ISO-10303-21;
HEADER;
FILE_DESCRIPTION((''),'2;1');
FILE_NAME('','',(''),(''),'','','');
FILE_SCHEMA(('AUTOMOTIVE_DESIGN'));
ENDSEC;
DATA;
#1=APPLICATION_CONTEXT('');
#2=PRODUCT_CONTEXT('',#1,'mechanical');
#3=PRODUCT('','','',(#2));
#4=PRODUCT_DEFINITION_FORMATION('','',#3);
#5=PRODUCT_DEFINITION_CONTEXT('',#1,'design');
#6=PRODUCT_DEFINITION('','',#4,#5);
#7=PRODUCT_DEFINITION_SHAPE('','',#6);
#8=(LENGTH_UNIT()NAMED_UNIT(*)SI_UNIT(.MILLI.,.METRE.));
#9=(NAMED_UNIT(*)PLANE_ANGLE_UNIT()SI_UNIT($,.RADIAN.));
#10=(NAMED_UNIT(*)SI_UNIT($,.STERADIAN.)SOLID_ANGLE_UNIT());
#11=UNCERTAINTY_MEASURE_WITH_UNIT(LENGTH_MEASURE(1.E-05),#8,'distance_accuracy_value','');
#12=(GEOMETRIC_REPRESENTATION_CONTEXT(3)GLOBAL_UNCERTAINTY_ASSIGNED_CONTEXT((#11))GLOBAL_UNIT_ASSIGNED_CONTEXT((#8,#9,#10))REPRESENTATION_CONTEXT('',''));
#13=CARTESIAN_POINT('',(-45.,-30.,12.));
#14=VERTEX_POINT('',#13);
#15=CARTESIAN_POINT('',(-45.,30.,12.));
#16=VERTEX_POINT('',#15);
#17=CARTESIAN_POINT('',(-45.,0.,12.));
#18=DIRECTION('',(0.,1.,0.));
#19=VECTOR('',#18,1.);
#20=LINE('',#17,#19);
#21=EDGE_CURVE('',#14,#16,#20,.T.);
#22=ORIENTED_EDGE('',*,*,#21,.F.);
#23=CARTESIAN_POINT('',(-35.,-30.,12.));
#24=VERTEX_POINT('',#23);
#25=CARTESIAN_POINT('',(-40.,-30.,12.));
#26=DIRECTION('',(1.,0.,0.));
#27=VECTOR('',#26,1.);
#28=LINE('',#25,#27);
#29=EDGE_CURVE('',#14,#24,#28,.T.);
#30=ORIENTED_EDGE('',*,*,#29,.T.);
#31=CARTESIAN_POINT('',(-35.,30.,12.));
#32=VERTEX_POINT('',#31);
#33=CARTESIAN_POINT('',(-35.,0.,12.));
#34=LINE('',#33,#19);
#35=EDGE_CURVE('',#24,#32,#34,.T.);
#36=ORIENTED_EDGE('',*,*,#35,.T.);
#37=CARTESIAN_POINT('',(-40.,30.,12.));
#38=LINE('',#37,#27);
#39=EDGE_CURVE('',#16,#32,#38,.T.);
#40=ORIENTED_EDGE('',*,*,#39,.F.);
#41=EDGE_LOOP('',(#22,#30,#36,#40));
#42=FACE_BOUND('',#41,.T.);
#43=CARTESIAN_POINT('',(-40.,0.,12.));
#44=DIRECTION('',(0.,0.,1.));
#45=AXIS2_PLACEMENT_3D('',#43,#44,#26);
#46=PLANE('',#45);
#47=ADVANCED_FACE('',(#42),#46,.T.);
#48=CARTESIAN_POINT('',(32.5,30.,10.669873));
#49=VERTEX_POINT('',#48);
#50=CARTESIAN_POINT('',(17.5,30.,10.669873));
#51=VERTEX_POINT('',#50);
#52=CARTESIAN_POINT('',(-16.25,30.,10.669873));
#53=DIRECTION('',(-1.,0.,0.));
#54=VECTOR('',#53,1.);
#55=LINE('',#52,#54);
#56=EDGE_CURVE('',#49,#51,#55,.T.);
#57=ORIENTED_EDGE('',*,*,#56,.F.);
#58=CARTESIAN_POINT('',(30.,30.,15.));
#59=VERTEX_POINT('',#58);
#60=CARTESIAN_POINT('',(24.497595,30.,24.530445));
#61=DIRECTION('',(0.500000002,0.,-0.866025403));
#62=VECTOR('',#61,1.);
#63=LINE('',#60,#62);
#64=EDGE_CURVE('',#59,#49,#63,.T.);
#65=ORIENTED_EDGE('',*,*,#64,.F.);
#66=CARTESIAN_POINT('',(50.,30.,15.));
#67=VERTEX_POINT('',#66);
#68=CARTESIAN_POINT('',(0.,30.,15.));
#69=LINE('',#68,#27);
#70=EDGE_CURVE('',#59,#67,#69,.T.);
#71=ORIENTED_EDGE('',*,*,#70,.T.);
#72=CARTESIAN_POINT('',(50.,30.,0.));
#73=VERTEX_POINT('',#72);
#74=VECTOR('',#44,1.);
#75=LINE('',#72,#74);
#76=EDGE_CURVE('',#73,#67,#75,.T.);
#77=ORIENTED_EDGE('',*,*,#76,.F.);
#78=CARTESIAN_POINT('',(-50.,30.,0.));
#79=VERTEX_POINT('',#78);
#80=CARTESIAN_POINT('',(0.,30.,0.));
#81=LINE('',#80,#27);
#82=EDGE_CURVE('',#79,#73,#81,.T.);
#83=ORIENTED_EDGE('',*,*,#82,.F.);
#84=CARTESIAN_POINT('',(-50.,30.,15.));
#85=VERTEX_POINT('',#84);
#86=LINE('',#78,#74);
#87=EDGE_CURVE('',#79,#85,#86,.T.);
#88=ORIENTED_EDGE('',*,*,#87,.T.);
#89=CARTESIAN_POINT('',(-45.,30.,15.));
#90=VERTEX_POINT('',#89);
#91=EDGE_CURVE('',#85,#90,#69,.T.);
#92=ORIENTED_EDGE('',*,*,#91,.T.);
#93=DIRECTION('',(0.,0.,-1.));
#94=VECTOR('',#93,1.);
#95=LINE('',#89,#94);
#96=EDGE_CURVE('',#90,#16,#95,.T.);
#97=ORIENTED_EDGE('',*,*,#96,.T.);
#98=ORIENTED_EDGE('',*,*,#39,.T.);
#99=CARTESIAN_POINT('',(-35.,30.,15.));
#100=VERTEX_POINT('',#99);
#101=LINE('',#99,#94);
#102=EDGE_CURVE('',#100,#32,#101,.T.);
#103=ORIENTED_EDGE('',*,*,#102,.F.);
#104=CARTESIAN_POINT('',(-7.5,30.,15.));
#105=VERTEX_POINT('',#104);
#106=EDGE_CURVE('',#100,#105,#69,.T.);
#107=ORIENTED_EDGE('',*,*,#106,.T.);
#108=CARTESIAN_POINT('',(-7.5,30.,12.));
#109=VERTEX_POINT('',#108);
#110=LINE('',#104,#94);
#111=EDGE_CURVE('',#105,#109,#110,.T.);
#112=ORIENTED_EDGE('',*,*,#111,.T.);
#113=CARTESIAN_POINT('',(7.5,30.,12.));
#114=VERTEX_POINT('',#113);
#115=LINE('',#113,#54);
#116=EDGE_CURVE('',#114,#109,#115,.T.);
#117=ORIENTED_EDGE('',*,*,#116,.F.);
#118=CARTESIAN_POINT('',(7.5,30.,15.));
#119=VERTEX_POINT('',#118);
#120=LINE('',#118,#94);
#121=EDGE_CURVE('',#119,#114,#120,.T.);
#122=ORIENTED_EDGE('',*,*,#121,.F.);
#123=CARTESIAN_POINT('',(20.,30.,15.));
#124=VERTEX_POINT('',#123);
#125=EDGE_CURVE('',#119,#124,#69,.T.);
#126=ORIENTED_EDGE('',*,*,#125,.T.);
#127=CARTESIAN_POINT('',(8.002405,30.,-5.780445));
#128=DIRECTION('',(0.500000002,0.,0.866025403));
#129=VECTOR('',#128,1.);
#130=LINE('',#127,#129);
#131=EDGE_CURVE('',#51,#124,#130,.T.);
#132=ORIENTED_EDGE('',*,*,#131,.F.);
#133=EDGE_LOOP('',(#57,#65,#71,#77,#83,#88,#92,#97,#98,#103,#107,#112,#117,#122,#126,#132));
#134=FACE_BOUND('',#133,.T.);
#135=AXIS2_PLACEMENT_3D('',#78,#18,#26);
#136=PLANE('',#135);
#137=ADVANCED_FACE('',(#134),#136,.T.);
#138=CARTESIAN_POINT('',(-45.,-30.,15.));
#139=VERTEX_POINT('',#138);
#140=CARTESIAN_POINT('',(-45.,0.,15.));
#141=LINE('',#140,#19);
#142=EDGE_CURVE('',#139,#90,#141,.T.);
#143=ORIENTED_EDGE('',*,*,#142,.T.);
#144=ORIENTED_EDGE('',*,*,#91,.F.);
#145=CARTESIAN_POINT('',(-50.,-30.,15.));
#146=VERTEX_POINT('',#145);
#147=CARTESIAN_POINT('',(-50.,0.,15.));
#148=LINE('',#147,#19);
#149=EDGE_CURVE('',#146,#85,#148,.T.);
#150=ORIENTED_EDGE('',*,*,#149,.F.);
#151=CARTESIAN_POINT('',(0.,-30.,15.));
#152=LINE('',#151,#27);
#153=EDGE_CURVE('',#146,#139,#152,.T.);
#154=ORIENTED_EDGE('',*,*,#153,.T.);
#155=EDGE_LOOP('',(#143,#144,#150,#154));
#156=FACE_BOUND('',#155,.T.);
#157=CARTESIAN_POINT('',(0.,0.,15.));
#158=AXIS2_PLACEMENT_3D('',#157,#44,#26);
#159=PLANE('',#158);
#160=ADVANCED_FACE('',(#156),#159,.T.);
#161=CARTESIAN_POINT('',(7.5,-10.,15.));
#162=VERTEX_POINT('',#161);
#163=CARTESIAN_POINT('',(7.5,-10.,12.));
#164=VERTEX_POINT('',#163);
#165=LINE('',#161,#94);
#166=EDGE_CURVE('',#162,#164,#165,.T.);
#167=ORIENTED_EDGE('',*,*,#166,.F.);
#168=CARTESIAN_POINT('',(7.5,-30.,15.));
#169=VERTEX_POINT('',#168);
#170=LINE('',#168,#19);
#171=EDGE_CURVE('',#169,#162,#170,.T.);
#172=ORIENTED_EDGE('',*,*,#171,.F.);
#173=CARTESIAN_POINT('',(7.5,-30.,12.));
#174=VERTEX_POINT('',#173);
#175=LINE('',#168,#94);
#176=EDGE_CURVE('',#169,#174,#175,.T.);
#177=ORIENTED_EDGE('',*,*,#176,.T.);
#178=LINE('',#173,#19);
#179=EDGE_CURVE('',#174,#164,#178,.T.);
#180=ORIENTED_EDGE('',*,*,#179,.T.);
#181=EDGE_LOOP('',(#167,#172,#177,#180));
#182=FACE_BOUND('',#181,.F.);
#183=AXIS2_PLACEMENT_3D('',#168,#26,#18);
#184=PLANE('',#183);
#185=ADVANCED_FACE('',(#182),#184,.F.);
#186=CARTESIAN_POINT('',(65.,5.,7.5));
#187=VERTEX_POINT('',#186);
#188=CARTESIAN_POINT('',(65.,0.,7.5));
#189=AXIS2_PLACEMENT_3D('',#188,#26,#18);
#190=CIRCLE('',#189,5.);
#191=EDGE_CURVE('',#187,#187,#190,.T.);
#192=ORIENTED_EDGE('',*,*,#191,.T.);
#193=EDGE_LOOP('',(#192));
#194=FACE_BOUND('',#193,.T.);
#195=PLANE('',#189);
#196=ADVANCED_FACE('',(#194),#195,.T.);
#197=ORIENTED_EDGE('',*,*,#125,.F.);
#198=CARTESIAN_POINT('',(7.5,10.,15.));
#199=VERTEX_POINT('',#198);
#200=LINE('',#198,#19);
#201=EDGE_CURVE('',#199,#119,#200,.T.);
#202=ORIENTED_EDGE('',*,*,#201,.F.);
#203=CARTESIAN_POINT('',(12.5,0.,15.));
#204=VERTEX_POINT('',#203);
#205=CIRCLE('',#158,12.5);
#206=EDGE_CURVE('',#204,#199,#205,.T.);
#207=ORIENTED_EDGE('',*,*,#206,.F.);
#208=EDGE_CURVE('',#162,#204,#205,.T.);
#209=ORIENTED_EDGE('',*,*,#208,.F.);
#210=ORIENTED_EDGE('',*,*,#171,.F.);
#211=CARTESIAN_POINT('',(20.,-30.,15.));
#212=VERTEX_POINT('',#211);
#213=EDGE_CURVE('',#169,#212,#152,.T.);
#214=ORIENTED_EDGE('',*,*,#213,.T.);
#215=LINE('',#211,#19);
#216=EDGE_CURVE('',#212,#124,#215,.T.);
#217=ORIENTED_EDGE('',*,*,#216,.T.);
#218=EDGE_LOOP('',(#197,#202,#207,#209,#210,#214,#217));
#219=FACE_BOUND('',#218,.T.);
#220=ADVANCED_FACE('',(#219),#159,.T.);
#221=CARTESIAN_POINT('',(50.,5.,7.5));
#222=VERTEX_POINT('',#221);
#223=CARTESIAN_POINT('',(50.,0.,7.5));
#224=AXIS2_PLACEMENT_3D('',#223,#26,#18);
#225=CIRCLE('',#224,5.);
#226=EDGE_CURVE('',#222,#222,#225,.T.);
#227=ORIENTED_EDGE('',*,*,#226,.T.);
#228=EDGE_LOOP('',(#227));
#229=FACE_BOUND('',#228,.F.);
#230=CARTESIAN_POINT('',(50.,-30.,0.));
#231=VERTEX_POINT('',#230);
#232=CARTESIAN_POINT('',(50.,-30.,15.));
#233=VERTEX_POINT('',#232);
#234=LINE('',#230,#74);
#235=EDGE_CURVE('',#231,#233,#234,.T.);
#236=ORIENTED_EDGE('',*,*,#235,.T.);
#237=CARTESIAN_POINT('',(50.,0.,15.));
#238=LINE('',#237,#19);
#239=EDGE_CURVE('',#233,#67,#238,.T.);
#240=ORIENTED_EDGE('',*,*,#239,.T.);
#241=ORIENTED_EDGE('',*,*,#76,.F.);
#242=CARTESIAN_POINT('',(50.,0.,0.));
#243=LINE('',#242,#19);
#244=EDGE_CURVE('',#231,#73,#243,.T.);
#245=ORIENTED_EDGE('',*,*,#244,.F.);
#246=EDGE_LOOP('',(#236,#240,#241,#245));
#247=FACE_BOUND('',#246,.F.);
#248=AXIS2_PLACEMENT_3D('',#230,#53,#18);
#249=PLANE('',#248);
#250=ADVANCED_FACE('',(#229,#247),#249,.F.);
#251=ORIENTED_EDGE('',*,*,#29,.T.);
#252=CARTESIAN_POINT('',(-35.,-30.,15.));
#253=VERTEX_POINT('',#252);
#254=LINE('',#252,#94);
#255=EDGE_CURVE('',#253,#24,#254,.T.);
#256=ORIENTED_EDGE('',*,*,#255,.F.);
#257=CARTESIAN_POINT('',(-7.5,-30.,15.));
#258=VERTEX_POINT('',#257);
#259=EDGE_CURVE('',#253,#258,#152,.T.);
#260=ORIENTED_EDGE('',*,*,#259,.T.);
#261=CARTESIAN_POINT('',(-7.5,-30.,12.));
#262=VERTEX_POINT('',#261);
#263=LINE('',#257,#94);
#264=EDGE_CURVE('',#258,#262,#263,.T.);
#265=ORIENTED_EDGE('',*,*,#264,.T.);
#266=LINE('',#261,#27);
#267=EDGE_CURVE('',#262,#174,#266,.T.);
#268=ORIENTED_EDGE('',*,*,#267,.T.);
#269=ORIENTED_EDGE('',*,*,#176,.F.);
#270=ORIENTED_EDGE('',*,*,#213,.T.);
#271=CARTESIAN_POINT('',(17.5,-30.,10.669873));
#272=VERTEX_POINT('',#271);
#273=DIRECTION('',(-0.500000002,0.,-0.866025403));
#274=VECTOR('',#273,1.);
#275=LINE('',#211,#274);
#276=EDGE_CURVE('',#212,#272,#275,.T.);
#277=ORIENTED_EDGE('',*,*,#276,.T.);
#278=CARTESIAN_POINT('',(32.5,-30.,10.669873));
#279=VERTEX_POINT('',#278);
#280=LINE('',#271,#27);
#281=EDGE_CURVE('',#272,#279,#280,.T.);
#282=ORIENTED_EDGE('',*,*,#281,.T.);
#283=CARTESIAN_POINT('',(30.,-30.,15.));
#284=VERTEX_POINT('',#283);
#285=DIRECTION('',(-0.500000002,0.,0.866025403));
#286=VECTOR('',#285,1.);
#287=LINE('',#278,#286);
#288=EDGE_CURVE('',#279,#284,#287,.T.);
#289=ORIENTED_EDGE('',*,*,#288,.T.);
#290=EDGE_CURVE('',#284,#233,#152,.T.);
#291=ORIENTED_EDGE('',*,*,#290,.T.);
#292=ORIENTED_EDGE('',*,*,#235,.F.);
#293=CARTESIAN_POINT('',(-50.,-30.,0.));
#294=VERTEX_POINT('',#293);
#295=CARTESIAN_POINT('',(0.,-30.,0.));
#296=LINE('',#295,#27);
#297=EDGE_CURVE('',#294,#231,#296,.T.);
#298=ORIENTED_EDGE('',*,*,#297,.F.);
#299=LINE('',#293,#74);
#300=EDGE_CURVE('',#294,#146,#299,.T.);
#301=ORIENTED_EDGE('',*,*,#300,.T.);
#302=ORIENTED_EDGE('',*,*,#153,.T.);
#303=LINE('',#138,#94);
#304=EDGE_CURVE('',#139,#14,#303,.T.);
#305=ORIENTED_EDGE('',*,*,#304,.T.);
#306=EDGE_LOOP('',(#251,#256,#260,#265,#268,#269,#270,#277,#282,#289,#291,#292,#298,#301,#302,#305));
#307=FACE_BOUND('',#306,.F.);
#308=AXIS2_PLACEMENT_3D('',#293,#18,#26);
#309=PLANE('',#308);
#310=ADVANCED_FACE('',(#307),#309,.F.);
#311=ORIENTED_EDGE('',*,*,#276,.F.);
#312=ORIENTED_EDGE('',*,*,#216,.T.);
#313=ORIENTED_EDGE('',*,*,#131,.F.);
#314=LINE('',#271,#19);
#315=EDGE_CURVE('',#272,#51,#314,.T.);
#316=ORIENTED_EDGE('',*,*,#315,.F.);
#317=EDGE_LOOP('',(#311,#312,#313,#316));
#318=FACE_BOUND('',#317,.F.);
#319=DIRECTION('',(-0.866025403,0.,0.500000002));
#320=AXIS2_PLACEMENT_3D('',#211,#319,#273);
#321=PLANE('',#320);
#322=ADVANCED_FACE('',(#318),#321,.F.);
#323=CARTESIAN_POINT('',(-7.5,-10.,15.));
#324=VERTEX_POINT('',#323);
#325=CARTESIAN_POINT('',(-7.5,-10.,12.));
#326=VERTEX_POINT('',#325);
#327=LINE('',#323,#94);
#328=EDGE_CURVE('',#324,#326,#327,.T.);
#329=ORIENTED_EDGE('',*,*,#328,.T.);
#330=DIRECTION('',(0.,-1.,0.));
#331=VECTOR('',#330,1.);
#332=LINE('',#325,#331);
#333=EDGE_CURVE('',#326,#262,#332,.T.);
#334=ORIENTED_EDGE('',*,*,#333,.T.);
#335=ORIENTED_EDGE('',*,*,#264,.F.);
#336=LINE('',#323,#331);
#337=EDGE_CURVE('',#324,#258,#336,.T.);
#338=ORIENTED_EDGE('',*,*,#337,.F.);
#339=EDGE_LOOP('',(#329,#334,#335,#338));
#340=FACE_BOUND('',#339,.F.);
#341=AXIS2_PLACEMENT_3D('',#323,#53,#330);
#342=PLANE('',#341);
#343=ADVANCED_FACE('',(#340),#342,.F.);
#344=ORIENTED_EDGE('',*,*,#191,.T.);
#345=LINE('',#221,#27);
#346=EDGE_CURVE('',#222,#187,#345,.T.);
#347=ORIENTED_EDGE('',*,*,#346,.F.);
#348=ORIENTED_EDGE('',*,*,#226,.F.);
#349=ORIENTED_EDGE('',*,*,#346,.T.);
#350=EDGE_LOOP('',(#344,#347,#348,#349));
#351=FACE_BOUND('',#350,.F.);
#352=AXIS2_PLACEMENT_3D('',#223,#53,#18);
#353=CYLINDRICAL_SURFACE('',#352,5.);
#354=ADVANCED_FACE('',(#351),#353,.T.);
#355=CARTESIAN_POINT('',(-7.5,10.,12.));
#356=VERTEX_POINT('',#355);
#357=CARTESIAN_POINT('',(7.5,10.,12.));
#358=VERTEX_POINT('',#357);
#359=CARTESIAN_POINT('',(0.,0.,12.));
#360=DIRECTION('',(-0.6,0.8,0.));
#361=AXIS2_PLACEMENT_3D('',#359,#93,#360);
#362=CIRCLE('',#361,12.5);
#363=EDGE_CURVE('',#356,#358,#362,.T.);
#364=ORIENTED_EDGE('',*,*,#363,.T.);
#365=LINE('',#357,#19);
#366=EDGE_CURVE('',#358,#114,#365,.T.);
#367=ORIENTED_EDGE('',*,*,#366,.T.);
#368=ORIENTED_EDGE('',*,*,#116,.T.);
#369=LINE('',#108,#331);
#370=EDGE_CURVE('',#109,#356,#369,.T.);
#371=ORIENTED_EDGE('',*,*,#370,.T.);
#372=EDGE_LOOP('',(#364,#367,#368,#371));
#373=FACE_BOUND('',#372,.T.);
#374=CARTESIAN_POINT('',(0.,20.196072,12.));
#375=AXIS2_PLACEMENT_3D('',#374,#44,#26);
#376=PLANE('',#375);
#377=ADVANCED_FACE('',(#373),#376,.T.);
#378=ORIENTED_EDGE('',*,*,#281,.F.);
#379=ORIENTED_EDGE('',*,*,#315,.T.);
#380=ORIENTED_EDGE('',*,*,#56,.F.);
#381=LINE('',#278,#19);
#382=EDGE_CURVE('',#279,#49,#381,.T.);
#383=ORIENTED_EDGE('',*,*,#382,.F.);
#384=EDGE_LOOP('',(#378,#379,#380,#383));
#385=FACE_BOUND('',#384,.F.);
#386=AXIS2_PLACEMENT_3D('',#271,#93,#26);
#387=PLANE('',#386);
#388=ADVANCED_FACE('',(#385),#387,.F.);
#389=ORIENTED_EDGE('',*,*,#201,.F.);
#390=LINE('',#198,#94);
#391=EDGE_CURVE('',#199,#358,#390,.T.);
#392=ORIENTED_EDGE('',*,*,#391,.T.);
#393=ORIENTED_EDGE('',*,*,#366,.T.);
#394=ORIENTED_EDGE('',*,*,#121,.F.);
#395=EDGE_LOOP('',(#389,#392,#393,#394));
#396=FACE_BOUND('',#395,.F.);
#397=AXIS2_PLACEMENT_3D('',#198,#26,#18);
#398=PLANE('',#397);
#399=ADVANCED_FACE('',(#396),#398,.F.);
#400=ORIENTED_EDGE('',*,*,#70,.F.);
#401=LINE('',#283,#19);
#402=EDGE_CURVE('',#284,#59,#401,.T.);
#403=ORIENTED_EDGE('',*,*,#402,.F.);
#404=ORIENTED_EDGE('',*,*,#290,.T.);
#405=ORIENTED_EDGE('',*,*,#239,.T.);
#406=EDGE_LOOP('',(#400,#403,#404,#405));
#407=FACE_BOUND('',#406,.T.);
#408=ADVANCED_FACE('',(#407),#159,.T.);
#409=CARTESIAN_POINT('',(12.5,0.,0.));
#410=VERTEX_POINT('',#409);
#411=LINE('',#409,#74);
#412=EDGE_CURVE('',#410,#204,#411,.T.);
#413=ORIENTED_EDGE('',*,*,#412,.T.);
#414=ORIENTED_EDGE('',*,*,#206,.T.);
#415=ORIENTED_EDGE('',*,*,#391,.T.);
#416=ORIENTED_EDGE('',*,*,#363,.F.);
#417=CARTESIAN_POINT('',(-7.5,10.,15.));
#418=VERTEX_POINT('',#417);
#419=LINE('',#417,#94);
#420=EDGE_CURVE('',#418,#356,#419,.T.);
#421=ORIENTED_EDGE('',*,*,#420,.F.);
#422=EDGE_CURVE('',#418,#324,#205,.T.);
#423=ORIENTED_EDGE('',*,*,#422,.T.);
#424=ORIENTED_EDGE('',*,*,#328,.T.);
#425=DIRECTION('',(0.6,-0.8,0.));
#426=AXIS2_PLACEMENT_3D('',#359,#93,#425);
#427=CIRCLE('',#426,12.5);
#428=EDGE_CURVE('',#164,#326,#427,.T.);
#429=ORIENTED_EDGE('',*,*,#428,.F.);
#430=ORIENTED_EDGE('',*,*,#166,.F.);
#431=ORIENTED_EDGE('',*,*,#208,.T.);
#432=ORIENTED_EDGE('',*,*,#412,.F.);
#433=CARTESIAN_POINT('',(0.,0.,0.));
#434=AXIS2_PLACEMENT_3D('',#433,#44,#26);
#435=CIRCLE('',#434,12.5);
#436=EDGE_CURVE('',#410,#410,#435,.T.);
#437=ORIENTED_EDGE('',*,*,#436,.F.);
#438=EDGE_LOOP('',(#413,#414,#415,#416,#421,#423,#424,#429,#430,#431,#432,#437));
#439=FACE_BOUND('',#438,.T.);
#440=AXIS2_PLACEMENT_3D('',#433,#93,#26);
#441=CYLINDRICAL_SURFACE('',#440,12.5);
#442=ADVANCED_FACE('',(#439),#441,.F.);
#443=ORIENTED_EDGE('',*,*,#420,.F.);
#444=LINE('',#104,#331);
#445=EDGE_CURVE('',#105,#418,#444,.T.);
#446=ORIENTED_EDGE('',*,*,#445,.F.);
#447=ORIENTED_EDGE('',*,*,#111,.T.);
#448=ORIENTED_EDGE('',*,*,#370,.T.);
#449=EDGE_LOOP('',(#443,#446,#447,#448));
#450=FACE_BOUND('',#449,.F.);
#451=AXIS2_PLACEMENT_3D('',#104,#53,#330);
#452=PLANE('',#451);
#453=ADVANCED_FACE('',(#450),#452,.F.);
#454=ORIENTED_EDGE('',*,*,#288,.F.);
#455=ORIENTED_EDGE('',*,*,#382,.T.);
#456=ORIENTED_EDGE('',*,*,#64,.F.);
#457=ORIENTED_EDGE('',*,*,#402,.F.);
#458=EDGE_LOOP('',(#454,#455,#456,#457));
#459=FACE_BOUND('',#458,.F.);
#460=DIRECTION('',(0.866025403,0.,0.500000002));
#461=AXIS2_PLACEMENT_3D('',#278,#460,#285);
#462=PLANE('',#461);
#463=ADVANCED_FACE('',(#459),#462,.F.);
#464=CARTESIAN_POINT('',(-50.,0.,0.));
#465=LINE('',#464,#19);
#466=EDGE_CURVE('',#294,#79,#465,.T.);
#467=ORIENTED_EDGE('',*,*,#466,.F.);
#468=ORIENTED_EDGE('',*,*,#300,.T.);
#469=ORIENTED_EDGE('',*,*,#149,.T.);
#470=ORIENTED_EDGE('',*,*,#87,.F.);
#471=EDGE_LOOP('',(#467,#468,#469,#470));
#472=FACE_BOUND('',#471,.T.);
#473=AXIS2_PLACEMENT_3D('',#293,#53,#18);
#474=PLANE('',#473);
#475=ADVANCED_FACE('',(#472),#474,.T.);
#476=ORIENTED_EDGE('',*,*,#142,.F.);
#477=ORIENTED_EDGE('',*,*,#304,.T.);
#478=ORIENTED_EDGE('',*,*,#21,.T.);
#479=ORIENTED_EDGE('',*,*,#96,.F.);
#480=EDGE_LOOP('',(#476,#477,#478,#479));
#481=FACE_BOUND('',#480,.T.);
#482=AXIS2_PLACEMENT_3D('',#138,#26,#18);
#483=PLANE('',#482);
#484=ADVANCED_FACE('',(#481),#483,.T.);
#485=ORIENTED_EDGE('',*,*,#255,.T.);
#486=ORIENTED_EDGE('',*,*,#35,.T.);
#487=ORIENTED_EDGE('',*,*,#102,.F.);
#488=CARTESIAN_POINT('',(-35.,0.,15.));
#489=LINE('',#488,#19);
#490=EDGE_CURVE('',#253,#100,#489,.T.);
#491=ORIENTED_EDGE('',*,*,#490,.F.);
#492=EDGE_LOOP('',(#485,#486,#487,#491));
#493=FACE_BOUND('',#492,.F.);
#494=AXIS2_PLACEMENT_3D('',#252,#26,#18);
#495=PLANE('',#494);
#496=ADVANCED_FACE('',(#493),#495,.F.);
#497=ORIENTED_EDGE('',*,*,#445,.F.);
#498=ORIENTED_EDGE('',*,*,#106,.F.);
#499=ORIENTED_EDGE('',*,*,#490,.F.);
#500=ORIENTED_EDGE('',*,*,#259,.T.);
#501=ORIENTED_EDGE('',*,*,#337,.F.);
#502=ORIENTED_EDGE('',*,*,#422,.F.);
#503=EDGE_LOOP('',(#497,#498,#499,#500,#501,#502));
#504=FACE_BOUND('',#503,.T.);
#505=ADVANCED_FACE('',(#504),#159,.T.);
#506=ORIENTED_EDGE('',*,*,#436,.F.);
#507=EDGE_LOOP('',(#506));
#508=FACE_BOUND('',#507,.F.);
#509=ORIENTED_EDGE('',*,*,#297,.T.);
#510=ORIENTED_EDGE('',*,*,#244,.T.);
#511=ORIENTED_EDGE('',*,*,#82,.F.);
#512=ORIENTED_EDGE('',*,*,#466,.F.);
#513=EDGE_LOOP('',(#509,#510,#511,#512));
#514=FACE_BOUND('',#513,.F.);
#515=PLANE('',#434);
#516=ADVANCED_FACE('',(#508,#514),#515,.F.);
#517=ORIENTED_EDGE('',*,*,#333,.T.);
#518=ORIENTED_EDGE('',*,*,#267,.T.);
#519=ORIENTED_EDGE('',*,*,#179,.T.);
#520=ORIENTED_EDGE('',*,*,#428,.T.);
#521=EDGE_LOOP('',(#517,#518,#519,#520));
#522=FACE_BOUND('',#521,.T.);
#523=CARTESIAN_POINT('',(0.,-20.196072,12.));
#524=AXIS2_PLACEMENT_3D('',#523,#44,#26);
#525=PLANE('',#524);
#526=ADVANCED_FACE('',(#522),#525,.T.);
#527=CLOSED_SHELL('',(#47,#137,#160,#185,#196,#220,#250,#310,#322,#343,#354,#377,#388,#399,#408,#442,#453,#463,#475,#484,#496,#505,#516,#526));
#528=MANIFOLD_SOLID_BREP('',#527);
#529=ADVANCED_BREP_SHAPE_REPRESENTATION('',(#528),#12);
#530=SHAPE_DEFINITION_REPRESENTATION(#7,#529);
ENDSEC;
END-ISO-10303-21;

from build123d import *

# Parameters (mm, degrees)
F0_W     = 100
F0_H     = 60
F0_R     = 12.5
F1_DEPTH = 15
F2_W     = 10
F2_H     = 60
F3_DEPTH = 3
F5_DEPTH = 60.001
F6_R     = 5
F7_DEPTH = 15


with BuildPart() as f1:
    # F0 (on Top) → F1 (new body)
    with BuildSketch(Plane.XY):
        Rectangle(F0_W, F0_H)
        Circle(F0_R, mode=Mode.SUBTRACT)
    extrude(amount=F1_DEPTH)

    # F2 (on face) → F3 (cut)
    with BuildSketch(Plane.XY.offset(15)):
        with BuildLine():
            Line((7.5, 30), (-7.5, 30))
            Line((-7.5, 30), (-7.5, 10))
            ThreePointArc((-7.5, 10), (0, 12.5), (7.5, 10))
            Line((7.5, 10), (7.5, 30))
        make_face()
        with BuildLine():
            Line((-7.5, -10), (-7.5, -30))
            Line((-7.5, -30), (7.5, -30))
            Line((7.5, -30), (7.5, -10))
            ThreePointArc((7.5, -10), (0, -12.5), (-7.5, -10))
        make_face()
        with Locations((-40, 0)):
            Rectangle(F2_W, F2_H)
    extrude(amount=-F3_DEPTH, mode=Mode.SUBTRACT)

    # F4 (on face) → F5 (cut, through all)
    with BuildSketch(Plane.XZ.offset(30)):
        Polygon((30, 15), (20, 15), (17.5, 10.669873), (32.5, 10.669873), align=None)
    extrude(amount=-F5_DEPTH, mode=Mode.SUBTRACT)

    # F6 (on face) → F7 (join)
    with BuildSketch(Plane.YZ.offset(50)):
        with Locations((0, 7.5)):
            Circle(F6_R)
    extrude(amount=F7_DEPTH)


solid = f1.part
